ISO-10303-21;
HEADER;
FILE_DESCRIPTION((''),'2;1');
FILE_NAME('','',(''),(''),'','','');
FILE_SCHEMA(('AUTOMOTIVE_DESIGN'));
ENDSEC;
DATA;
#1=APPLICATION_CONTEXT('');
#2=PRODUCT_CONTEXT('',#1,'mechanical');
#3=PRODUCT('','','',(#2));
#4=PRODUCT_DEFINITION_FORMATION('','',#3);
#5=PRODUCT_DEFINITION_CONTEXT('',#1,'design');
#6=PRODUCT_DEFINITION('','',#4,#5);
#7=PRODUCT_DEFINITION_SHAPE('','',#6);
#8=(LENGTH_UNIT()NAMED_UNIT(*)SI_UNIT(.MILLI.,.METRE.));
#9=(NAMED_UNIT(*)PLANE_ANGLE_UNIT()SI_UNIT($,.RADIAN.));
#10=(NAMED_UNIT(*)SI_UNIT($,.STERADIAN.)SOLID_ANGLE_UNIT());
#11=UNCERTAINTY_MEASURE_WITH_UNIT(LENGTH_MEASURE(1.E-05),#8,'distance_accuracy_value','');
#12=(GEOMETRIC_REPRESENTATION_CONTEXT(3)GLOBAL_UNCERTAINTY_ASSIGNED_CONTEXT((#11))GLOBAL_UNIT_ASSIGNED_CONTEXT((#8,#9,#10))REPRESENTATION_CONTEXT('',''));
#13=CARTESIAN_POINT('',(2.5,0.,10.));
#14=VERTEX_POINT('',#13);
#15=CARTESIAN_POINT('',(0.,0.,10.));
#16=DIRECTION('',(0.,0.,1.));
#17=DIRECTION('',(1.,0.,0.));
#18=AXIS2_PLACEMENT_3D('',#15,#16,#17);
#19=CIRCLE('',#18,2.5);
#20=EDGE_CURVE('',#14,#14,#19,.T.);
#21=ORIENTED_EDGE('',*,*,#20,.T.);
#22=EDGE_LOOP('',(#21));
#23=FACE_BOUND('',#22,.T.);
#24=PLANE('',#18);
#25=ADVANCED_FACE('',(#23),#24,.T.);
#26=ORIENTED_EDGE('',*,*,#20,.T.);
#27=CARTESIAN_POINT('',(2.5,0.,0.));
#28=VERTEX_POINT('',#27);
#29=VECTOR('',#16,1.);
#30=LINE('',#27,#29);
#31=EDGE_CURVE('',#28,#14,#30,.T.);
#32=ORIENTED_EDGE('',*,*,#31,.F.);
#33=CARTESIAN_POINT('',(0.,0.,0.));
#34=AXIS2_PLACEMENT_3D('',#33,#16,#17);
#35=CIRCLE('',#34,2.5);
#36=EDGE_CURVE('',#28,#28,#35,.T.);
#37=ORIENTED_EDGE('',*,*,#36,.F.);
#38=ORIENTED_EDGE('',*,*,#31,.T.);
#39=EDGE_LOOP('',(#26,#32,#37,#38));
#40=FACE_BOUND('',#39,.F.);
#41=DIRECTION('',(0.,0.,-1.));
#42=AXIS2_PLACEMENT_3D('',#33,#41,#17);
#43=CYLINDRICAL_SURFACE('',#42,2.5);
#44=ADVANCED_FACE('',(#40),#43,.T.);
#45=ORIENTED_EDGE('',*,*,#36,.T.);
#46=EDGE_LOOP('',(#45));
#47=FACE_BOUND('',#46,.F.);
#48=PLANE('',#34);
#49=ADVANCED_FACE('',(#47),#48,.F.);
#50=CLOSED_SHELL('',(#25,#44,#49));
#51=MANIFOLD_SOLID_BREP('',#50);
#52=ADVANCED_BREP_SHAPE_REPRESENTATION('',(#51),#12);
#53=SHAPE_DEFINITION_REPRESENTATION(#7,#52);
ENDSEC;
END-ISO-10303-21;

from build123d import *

# Parameters (mm, degrees)
ESBO_O1_R                = 2.5
RESSALTO_EXTRUS_O1_DEPTH = 10


with BuildPart() as part:
    # Esboço1 → Ressalto-extrusão1 (new body)
    with BuildSketch(Plane.XY):
        Circle(ESBO_O1_R)
    extrude(amount=RESSALTO_EXTRUS_O1_DEPTH)


solid = part.part
